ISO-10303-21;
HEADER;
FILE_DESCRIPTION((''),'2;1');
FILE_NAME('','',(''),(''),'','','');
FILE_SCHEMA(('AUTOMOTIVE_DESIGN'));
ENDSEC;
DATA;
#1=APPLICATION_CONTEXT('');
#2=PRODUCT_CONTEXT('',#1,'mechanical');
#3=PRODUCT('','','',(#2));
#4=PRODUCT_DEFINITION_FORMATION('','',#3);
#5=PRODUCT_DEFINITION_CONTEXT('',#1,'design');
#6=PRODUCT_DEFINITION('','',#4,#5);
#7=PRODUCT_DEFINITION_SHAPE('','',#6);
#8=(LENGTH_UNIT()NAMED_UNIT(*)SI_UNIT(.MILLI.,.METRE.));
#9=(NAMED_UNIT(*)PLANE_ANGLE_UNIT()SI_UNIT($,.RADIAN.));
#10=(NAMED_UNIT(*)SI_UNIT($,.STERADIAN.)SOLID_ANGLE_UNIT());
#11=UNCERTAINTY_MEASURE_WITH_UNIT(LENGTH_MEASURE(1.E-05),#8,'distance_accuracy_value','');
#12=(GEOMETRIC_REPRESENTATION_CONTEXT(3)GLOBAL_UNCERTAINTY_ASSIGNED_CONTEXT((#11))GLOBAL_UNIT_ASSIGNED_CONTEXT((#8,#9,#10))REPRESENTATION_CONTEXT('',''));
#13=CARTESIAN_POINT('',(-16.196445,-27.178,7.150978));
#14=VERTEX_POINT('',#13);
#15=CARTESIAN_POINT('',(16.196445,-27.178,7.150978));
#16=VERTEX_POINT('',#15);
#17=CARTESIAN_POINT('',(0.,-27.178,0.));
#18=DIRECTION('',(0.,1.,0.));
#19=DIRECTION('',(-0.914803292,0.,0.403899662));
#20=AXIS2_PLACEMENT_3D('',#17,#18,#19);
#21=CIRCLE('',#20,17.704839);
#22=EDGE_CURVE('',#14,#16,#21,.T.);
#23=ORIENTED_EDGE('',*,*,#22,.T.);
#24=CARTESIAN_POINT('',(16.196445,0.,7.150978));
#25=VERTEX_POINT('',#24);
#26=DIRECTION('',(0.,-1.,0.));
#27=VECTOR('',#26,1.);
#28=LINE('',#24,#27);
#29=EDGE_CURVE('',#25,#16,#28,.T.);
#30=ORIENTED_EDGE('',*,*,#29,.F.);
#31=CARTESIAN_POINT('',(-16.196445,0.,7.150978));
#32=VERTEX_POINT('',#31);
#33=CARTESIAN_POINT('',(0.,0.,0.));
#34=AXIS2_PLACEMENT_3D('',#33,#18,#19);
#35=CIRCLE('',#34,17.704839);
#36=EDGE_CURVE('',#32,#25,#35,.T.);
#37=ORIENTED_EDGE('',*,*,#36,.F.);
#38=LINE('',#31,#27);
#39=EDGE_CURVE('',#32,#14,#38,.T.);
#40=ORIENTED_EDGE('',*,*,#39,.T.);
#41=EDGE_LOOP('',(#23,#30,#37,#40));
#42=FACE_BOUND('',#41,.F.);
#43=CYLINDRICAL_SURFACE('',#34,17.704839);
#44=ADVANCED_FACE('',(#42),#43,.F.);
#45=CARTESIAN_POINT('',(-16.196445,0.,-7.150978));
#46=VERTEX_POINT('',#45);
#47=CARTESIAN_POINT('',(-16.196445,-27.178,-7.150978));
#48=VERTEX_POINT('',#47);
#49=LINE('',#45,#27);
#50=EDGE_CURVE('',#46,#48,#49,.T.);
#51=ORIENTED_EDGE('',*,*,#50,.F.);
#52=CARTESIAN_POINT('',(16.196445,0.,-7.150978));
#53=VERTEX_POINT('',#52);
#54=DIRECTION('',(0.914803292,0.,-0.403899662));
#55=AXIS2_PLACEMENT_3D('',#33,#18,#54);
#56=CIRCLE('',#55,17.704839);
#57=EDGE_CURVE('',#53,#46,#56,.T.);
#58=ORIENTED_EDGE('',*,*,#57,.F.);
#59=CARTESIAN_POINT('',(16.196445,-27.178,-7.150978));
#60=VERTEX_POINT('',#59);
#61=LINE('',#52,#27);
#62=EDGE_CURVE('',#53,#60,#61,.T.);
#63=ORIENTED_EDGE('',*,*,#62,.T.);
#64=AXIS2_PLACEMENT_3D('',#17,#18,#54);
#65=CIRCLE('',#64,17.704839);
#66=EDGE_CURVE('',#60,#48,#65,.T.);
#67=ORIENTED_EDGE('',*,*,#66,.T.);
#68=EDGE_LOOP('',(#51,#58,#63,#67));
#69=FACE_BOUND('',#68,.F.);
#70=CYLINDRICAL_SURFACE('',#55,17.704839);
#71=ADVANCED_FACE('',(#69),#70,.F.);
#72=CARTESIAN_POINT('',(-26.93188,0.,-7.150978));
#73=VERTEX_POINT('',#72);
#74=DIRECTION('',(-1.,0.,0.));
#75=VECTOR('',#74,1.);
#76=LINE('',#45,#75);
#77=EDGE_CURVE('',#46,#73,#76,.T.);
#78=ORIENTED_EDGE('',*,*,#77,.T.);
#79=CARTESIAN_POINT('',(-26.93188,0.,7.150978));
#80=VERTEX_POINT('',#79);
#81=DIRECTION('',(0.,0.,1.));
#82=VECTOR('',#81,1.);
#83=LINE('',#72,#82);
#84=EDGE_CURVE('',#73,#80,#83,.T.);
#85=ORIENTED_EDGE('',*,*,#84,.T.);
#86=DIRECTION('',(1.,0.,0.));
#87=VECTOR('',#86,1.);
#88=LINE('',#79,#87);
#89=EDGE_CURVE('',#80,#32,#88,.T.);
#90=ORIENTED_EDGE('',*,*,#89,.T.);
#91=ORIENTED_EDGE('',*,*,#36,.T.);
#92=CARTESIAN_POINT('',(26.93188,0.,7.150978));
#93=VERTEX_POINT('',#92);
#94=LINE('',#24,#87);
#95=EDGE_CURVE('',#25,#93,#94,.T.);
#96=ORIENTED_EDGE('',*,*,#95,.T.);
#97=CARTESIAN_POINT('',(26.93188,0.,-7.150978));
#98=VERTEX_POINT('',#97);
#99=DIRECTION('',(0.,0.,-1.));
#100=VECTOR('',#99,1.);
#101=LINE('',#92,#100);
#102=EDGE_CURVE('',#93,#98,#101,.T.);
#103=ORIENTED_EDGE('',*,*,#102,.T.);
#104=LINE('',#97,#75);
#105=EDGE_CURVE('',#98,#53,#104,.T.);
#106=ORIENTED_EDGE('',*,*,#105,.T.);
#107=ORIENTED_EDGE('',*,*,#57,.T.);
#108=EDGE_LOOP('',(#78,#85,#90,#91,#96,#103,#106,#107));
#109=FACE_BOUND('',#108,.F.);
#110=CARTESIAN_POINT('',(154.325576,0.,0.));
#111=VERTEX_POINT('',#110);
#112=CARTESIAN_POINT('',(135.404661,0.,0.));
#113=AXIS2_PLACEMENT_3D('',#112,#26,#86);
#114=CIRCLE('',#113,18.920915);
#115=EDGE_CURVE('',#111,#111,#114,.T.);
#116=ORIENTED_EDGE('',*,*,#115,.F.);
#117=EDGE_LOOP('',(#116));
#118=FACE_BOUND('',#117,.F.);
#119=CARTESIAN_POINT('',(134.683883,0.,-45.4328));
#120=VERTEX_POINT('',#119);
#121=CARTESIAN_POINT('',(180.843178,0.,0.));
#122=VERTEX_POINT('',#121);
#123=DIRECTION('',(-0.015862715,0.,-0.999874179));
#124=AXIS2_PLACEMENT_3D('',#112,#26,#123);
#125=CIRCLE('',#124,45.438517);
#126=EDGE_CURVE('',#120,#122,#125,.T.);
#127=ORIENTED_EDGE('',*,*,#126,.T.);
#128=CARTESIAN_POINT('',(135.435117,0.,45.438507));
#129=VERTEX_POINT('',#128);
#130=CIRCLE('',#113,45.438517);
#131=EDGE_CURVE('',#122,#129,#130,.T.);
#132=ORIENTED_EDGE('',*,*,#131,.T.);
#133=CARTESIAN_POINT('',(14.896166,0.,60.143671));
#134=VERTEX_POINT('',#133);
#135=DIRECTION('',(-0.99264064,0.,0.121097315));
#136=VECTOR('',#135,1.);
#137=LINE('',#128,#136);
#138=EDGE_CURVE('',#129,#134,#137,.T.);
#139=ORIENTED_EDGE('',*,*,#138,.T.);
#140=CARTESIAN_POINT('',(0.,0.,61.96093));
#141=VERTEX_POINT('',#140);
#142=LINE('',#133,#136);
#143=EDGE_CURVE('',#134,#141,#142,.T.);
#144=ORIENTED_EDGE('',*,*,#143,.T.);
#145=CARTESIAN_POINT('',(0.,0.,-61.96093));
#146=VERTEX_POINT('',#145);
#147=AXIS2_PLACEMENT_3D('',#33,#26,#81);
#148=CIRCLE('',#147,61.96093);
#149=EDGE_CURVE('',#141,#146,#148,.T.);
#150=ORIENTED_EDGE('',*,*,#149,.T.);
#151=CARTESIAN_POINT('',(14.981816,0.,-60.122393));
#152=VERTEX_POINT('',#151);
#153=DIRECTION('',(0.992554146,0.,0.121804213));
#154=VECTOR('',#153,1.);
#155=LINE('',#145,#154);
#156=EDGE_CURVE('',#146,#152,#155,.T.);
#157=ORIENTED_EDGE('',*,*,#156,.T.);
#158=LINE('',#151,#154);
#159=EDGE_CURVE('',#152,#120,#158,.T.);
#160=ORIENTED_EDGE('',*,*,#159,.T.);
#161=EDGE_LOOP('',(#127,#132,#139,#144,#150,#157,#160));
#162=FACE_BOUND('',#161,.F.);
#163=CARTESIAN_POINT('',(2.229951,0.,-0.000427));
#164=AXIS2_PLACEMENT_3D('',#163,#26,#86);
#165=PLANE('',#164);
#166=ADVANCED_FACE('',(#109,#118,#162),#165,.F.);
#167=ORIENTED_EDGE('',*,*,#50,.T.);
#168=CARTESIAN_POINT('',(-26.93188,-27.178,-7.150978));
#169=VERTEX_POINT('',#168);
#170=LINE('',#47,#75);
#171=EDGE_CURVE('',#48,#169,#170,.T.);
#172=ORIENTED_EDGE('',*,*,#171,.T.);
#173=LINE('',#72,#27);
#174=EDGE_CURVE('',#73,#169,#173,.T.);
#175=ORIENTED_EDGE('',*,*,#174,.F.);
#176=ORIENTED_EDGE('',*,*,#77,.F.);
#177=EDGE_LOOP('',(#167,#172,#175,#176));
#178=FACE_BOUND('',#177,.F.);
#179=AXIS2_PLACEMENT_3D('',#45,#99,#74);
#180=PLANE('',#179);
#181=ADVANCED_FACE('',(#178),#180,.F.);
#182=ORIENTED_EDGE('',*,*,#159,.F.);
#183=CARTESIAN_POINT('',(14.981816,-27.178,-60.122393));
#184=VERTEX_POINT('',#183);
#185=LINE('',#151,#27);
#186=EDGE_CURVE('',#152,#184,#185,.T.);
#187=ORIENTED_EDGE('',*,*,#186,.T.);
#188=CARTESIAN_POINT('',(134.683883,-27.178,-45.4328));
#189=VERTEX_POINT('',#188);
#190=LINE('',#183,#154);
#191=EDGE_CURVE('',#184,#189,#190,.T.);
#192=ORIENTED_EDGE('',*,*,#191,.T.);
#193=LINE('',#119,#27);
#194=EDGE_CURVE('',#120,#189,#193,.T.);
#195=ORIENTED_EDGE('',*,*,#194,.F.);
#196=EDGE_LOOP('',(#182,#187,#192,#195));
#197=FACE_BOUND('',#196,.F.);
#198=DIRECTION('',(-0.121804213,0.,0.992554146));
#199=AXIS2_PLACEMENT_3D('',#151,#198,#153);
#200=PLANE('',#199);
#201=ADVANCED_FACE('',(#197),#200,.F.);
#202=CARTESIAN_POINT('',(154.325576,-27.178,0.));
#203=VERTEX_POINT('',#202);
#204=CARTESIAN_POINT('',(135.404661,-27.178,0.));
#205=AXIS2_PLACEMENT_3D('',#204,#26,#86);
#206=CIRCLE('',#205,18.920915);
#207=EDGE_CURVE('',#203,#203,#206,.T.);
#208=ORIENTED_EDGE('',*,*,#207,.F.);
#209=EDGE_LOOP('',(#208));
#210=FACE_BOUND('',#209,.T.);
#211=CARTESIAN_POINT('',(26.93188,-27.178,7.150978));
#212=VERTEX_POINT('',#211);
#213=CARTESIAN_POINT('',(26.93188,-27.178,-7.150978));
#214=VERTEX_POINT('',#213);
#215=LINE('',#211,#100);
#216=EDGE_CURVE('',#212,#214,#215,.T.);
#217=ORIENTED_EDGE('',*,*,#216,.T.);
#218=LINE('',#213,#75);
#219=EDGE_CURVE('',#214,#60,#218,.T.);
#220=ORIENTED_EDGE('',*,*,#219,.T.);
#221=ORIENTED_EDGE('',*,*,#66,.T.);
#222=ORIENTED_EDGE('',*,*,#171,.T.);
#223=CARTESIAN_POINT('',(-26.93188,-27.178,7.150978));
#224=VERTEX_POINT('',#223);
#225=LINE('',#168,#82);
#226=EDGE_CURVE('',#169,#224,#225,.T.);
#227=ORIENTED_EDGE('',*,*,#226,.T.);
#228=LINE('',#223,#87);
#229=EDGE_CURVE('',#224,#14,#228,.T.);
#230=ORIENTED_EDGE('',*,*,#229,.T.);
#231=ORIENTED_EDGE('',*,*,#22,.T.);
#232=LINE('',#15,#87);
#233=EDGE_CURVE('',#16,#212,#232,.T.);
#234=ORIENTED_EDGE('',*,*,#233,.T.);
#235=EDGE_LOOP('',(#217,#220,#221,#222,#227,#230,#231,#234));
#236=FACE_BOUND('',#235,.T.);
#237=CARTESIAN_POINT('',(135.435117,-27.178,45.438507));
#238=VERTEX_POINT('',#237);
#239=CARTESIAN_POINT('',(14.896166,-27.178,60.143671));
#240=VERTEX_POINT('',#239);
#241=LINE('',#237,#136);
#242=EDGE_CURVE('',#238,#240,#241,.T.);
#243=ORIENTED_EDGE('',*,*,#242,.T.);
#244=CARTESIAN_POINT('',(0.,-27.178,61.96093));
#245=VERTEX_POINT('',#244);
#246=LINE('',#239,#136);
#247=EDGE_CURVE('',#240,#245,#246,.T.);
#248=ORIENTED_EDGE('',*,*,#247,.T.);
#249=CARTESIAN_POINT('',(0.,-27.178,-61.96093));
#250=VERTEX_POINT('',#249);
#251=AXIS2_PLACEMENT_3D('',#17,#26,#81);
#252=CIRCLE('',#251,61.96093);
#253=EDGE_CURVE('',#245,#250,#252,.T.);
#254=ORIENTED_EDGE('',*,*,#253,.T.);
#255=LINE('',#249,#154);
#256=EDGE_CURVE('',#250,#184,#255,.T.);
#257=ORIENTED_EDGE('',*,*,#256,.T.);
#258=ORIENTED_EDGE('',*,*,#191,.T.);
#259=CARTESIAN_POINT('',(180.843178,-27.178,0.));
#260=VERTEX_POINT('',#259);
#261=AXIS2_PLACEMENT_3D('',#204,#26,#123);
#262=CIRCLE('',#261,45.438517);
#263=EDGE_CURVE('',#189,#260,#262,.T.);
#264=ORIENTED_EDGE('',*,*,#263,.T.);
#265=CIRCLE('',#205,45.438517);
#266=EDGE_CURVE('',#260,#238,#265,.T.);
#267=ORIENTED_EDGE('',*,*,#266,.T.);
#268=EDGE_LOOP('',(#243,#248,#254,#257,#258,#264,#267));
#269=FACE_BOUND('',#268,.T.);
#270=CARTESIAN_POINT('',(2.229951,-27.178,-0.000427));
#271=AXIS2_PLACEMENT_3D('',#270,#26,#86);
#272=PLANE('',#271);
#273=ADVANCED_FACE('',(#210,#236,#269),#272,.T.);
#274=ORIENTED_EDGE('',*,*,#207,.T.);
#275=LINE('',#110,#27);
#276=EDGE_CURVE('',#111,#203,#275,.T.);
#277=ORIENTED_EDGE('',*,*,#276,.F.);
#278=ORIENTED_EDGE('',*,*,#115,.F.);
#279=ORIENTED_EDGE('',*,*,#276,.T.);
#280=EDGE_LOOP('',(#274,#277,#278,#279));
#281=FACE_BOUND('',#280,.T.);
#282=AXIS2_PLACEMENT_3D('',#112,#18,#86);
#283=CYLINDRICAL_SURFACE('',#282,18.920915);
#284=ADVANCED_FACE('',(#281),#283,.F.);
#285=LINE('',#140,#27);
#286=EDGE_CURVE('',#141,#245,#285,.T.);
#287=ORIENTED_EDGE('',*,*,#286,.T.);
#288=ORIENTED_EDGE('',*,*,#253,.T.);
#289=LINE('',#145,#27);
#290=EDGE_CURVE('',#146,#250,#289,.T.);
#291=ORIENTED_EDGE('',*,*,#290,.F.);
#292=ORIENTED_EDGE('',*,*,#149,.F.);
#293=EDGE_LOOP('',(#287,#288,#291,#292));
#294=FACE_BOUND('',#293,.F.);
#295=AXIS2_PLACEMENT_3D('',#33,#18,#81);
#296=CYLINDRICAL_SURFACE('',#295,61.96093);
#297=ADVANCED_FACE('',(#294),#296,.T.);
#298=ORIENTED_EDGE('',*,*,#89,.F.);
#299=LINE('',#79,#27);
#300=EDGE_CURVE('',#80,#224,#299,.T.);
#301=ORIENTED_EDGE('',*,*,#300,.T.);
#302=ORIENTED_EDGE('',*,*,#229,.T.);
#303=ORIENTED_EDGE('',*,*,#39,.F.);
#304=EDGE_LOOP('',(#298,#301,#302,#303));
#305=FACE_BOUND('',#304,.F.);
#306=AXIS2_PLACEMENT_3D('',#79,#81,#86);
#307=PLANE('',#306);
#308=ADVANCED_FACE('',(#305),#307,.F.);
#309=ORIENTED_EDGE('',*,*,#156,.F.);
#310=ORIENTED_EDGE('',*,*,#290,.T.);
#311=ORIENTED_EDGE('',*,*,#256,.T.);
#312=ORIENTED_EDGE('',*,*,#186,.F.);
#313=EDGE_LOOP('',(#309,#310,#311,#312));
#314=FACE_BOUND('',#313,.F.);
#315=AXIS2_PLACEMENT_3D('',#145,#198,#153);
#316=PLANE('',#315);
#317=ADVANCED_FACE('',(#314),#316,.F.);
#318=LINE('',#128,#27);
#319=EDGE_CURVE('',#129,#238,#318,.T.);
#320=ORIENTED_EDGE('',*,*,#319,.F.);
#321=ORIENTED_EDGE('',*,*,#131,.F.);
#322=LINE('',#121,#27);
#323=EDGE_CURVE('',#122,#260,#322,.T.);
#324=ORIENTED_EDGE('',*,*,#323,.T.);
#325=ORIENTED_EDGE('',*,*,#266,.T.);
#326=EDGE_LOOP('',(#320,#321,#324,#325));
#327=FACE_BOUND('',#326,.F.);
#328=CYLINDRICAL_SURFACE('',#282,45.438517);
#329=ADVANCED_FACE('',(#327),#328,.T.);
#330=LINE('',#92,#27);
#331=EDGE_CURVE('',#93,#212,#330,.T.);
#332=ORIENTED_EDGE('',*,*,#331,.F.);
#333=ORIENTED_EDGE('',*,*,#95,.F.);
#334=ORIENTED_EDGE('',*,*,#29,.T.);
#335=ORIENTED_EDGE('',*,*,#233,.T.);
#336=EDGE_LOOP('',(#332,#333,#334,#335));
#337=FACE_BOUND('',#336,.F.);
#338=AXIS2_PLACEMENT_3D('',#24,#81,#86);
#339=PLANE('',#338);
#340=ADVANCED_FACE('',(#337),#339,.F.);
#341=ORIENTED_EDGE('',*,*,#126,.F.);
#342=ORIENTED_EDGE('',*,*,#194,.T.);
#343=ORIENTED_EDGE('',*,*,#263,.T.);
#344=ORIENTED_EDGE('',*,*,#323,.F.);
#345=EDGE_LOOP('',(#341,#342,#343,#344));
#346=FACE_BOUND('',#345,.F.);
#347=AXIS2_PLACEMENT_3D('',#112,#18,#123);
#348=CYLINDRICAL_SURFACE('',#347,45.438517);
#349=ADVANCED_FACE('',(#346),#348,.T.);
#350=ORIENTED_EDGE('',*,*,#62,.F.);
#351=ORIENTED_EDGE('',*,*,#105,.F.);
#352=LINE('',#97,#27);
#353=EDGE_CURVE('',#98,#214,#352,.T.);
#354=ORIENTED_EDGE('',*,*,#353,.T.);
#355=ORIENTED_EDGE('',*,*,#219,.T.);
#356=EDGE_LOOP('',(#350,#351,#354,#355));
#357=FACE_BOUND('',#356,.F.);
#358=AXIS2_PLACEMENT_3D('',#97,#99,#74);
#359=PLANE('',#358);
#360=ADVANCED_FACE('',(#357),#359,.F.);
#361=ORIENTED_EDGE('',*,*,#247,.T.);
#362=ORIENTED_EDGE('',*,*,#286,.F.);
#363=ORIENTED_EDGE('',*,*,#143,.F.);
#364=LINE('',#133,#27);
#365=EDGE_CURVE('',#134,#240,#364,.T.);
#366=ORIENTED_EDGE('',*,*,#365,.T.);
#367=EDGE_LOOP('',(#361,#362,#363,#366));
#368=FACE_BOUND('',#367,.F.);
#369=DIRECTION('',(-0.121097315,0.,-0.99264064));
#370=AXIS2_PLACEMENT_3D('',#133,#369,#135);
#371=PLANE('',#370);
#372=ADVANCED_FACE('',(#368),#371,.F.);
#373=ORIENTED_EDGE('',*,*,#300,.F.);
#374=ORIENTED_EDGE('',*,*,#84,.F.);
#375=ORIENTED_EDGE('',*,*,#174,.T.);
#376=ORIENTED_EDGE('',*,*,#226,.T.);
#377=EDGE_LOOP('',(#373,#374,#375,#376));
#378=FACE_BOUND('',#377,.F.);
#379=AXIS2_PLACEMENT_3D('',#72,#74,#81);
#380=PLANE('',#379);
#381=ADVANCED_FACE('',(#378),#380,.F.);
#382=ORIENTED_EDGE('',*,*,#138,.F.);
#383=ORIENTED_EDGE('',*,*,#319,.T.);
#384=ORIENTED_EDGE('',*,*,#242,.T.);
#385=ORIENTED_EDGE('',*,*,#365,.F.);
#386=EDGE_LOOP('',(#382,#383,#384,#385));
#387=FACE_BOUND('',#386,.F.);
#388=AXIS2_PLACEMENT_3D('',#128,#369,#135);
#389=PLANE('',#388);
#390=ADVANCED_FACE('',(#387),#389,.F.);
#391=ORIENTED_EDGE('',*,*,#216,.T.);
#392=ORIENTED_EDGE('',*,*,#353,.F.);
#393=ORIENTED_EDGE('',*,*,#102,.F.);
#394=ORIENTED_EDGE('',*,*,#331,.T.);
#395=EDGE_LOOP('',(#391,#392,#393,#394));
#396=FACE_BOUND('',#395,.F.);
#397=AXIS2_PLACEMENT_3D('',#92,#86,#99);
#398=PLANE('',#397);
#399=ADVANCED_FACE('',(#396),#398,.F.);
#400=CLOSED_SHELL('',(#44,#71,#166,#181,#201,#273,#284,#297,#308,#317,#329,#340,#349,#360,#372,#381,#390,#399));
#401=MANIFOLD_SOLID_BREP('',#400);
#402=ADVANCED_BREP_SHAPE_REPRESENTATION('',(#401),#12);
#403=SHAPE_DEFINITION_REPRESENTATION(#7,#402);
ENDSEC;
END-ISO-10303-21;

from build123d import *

# Parameters (mm, degrees)
F0_R     = 18.9209145911
F1_DEPTH = 27.178


with BuildPart() as f1:
    # F0 (on Front) → F1 (new body)
    with BuildSketch(Plane.XZ):
        with BuildLine():
            Line((14.8961656121, 60.1436708064), (0, 61.9609303353))
            ThreePointArc((0, 61.9609303353), (-61.9609303353, 0), (0, -61.9609303353))
            Line((0, -61.9609303353), (14.9818155033, -60.1223926024))
            ThreePointArc((14.9818155033, -60.1223926024), (48.8233761364, -38.1501616073), (61.9609303353, 0))
            ThreePointArc((61.9609303353, 0), (48.7961943586, 38.1849224712), (14.8961656121, 60.1436708064))
        make_face()
        with BuildLine():
            ThreePointArc((16.1964445954, -7.1509783156), (0, -17.7048385591), (-16.1964445954, -7.1509783156))
            Line((-16.1964445954, -7.1509783156), (-26.931880042, -7.1509783156))
            Line((-26.931880042, -7.1509783156), (-26.931880042, 7.1509783156))
            Line((-26.931880042, 7.1509783156), (-16.1964445954, 7.1509783156))
            ThreePointArc((-16.1964445954, 7.1509783156), (0, 17.7048385591), (16.1964445954, 7.1509783156))
            Line((16.1964445954, 7.1509783156), (26.931880042, 7.1509783156))
            Line((26.931880042, 7.1509783156), (26.931880042, -7.1509783156))
            Line((26.931880042, -7.1509783156), (16.1964445954, -7.1509783156))
        make_face(mode=Mode.SUBTRACT)
        with BuildLine():
            Line((135.4351173078, 45.4385067882), (14.8961656121, 60.1436708064))
            ThreePointArc((14.8961656121, 60.1436708064), (48.7961943586, 38.1849224712), (61.9609303353, 0))
            ThreePointArc((61.9609303353, 0), (48.8233761364, -38.1501616073), (14.9818155033, -60.1223926024))
            Line((14.9818155033, -60.1223926024), (134.6838830583, -45.4327998856))
            ThreePointArc((134.6838830583, -45.4327998856), (89.9676969368, 0.375627963), (135.4351173078, 45.4385067882))
        make_face()
        with BuildLine():
            ThreePointArc((180.8431782929, 0), (167.5453108139, 32.1191138638), (135.4351173078, 45.4385067882))
            ThreePointArc((135.4351173078, 45.4385067882), (89.9676969368, 0.375627963), (134.6838830583, -45.4327998856))
            ThreePointArc((134.6838830583, -45.4327998856), (167.2786925178, -32.3837144333), (180.8431782929, 0))
        make_face()
        with Locations((135.4046612978, 0)):
            Circle(F0_R, mode=Mode.SUBTRACT)
    extrude(amount=F1_DEPTH)


solid = f1.part
